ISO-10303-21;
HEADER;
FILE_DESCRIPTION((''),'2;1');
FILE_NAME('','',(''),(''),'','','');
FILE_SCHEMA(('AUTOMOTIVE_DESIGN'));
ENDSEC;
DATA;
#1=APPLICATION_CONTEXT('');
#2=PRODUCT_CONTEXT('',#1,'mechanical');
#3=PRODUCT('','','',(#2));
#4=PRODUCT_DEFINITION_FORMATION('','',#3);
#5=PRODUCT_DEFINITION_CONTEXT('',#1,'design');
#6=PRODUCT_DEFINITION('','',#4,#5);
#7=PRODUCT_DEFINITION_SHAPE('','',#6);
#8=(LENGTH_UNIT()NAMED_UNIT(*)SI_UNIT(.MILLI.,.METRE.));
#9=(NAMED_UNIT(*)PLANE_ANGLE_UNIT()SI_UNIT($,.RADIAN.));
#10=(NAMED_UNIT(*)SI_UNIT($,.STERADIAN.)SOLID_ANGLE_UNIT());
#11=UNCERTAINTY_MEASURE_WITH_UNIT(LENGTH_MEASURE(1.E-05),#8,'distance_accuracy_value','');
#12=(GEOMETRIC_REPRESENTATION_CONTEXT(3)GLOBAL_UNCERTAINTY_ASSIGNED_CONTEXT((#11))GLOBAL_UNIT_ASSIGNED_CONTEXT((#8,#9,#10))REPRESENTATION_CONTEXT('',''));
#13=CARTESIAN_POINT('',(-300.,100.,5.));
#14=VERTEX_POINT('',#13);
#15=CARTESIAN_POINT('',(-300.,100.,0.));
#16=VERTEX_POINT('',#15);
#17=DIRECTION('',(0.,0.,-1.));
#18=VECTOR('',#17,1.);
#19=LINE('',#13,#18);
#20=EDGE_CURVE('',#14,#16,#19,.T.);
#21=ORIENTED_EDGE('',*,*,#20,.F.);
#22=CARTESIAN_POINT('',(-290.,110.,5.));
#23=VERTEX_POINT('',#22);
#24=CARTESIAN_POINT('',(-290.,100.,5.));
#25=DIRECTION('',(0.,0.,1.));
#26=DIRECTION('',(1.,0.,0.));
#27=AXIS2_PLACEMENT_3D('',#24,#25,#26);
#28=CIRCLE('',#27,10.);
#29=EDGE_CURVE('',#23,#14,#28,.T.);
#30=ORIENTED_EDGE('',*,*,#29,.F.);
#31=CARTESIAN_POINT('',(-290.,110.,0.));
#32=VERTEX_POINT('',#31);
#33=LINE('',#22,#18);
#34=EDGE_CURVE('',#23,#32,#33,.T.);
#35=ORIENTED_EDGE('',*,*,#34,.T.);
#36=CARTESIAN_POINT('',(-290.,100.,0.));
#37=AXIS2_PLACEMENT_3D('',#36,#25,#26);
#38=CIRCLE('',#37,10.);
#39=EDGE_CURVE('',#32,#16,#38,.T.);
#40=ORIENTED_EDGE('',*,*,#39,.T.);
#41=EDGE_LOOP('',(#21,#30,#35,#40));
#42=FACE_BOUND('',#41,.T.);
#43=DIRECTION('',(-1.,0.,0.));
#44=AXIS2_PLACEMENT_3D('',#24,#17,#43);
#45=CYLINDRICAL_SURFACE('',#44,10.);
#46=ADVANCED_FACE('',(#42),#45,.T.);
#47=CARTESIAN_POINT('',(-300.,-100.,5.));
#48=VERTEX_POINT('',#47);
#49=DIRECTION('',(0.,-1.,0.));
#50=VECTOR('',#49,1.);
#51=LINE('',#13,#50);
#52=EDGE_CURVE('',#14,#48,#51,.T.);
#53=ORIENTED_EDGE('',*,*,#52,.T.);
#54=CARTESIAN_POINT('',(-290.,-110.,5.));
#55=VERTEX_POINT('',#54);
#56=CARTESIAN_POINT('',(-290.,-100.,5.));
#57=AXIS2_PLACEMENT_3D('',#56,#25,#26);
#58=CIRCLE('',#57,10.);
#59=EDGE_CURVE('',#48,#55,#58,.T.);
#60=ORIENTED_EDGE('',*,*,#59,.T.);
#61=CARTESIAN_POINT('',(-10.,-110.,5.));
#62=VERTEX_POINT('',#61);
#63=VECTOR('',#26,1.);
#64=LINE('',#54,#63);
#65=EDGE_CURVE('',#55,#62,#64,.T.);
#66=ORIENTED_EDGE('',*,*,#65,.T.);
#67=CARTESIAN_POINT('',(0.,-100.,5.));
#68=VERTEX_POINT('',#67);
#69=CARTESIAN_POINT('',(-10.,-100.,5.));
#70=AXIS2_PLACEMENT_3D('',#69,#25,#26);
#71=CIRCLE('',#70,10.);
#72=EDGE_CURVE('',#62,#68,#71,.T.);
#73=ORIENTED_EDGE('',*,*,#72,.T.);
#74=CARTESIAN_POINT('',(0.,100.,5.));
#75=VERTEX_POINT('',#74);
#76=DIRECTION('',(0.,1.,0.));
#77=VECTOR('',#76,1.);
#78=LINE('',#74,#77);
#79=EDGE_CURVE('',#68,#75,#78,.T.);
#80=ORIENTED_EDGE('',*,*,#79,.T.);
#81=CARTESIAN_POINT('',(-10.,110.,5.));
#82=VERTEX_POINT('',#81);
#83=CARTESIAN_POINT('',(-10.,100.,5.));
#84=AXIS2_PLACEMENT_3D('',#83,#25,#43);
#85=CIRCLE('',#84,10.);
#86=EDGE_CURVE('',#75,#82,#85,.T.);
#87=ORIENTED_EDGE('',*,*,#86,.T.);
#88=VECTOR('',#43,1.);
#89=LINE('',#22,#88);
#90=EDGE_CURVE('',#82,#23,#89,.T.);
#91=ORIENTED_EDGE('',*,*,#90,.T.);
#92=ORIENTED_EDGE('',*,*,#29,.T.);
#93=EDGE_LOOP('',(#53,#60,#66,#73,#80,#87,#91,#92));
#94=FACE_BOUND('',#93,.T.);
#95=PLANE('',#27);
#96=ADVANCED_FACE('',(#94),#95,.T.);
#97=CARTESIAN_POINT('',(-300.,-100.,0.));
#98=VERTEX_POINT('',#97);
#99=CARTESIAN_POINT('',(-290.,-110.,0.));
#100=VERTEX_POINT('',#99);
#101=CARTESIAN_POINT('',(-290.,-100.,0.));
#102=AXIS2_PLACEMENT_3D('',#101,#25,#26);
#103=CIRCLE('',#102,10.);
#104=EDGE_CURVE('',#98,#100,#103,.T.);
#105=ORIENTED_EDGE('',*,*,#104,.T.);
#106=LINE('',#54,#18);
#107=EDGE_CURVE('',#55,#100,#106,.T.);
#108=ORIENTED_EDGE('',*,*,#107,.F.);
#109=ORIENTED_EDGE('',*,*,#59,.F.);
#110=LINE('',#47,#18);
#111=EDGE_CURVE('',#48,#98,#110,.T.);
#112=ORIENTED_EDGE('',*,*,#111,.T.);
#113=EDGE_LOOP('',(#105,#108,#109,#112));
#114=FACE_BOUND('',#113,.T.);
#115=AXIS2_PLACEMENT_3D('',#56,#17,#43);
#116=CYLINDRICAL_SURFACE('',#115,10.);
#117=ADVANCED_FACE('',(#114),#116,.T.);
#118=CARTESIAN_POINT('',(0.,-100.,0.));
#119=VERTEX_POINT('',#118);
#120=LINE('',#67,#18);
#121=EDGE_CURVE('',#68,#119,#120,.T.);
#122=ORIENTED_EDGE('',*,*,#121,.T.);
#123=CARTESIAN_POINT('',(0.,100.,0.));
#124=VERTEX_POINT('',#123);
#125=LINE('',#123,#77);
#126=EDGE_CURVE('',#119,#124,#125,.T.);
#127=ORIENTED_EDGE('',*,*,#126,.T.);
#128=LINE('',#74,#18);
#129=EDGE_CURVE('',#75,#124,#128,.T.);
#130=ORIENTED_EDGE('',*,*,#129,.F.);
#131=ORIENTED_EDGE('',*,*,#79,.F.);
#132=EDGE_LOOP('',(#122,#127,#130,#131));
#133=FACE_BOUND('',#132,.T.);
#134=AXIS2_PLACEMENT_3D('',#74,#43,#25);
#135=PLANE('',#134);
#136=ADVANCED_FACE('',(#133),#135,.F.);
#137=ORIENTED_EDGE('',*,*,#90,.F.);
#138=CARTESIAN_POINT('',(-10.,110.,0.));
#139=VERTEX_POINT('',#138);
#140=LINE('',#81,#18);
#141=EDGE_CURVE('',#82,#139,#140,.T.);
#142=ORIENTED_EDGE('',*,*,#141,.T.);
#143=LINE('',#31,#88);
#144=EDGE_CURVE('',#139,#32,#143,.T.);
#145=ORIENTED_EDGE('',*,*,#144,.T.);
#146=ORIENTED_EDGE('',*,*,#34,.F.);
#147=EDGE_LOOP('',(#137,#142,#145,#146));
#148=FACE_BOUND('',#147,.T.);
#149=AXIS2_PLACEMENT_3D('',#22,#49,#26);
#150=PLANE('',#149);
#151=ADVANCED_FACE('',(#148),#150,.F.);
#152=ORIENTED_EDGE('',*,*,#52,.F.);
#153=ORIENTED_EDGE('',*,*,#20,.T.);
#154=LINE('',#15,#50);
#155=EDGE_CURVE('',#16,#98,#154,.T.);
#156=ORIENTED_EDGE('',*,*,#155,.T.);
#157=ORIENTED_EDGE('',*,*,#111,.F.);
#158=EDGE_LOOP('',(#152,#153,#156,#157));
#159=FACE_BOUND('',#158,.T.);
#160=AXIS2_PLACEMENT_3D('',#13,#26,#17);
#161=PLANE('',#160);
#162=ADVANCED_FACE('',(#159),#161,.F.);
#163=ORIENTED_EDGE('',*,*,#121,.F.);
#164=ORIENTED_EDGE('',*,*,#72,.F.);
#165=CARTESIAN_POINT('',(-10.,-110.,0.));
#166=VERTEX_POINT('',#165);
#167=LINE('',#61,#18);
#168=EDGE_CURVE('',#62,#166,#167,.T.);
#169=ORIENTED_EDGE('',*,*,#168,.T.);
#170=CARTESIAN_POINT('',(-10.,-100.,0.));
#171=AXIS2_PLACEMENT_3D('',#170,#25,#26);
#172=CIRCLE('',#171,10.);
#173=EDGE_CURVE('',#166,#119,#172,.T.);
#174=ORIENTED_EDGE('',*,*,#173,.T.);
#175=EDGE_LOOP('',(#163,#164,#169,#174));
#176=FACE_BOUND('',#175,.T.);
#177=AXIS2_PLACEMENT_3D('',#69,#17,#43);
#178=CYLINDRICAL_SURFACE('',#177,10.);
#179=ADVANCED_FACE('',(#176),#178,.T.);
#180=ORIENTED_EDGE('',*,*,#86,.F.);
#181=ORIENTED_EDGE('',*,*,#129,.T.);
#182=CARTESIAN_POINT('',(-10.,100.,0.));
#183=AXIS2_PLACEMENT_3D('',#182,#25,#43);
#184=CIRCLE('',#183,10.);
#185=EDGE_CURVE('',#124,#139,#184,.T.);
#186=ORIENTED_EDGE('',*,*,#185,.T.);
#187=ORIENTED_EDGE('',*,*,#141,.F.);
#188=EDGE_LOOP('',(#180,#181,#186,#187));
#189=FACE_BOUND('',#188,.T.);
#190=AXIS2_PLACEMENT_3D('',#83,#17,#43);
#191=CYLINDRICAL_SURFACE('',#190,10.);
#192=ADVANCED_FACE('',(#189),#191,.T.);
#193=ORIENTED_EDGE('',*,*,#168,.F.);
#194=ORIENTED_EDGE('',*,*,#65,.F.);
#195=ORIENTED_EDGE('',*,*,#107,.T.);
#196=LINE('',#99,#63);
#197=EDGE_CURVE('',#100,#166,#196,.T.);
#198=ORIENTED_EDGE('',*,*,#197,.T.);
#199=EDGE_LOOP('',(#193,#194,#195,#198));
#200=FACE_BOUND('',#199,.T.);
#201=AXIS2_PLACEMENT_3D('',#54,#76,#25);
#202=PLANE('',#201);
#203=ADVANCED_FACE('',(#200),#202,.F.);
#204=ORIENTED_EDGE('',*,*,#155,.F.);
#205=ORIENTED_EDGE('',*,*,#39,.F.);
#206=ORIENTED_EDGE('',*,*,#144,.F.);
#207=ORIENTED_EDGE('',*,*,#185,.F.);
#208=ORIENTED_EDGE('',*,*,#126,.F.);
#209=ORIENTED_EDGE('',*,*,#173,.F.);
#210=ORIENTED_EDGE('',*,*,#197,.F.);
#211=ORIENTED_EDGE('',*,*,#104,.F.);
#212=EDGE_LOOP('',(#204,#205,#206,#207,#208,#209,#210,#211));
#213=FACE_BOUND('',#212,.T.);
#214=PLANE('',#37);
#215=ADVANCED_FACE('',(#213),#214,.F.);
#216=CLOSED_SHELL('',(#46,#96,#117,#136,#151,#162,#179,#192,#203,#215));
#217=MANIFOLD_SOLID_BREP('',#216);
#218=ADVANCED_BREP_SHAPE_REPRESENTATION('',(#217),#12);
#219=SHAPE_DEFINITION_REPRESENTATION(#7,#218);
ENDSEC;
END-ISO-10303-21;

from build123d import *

# Parameters (mm, degrees)
BOSS_EXTRUDE1_DEPTH = 5


with BuildPart() as part:
    # Sketch1 → Boss-Extrude1 (new body)
    with BuildSketch(Plane.XY):
        with BuildLine():
            Line((-290, 110), (-10, 110))
            ThreePointArc((-10, 110), (-2.928932188, 107.071067812), (0, 100))
            Line((0, 100), (0, -100))
            ThreePointArc((0, -100), (-2.928932188, -107.071067812), (-10, -110))
            Line((-10, -110), (-290, -110))
            ThreePointArc((-290, -110), (-297.071067812, -107.071067812), (-300, -100))
            Line((-300, -100), (-300, 100))
            ThreePointArc((-300, 100), (-297.071067812, 107.071067812), (-290, 110))
        make_face()
    extrude(amount=BOSS_EXTRUDE1_DEPTH)


solid = part.part
